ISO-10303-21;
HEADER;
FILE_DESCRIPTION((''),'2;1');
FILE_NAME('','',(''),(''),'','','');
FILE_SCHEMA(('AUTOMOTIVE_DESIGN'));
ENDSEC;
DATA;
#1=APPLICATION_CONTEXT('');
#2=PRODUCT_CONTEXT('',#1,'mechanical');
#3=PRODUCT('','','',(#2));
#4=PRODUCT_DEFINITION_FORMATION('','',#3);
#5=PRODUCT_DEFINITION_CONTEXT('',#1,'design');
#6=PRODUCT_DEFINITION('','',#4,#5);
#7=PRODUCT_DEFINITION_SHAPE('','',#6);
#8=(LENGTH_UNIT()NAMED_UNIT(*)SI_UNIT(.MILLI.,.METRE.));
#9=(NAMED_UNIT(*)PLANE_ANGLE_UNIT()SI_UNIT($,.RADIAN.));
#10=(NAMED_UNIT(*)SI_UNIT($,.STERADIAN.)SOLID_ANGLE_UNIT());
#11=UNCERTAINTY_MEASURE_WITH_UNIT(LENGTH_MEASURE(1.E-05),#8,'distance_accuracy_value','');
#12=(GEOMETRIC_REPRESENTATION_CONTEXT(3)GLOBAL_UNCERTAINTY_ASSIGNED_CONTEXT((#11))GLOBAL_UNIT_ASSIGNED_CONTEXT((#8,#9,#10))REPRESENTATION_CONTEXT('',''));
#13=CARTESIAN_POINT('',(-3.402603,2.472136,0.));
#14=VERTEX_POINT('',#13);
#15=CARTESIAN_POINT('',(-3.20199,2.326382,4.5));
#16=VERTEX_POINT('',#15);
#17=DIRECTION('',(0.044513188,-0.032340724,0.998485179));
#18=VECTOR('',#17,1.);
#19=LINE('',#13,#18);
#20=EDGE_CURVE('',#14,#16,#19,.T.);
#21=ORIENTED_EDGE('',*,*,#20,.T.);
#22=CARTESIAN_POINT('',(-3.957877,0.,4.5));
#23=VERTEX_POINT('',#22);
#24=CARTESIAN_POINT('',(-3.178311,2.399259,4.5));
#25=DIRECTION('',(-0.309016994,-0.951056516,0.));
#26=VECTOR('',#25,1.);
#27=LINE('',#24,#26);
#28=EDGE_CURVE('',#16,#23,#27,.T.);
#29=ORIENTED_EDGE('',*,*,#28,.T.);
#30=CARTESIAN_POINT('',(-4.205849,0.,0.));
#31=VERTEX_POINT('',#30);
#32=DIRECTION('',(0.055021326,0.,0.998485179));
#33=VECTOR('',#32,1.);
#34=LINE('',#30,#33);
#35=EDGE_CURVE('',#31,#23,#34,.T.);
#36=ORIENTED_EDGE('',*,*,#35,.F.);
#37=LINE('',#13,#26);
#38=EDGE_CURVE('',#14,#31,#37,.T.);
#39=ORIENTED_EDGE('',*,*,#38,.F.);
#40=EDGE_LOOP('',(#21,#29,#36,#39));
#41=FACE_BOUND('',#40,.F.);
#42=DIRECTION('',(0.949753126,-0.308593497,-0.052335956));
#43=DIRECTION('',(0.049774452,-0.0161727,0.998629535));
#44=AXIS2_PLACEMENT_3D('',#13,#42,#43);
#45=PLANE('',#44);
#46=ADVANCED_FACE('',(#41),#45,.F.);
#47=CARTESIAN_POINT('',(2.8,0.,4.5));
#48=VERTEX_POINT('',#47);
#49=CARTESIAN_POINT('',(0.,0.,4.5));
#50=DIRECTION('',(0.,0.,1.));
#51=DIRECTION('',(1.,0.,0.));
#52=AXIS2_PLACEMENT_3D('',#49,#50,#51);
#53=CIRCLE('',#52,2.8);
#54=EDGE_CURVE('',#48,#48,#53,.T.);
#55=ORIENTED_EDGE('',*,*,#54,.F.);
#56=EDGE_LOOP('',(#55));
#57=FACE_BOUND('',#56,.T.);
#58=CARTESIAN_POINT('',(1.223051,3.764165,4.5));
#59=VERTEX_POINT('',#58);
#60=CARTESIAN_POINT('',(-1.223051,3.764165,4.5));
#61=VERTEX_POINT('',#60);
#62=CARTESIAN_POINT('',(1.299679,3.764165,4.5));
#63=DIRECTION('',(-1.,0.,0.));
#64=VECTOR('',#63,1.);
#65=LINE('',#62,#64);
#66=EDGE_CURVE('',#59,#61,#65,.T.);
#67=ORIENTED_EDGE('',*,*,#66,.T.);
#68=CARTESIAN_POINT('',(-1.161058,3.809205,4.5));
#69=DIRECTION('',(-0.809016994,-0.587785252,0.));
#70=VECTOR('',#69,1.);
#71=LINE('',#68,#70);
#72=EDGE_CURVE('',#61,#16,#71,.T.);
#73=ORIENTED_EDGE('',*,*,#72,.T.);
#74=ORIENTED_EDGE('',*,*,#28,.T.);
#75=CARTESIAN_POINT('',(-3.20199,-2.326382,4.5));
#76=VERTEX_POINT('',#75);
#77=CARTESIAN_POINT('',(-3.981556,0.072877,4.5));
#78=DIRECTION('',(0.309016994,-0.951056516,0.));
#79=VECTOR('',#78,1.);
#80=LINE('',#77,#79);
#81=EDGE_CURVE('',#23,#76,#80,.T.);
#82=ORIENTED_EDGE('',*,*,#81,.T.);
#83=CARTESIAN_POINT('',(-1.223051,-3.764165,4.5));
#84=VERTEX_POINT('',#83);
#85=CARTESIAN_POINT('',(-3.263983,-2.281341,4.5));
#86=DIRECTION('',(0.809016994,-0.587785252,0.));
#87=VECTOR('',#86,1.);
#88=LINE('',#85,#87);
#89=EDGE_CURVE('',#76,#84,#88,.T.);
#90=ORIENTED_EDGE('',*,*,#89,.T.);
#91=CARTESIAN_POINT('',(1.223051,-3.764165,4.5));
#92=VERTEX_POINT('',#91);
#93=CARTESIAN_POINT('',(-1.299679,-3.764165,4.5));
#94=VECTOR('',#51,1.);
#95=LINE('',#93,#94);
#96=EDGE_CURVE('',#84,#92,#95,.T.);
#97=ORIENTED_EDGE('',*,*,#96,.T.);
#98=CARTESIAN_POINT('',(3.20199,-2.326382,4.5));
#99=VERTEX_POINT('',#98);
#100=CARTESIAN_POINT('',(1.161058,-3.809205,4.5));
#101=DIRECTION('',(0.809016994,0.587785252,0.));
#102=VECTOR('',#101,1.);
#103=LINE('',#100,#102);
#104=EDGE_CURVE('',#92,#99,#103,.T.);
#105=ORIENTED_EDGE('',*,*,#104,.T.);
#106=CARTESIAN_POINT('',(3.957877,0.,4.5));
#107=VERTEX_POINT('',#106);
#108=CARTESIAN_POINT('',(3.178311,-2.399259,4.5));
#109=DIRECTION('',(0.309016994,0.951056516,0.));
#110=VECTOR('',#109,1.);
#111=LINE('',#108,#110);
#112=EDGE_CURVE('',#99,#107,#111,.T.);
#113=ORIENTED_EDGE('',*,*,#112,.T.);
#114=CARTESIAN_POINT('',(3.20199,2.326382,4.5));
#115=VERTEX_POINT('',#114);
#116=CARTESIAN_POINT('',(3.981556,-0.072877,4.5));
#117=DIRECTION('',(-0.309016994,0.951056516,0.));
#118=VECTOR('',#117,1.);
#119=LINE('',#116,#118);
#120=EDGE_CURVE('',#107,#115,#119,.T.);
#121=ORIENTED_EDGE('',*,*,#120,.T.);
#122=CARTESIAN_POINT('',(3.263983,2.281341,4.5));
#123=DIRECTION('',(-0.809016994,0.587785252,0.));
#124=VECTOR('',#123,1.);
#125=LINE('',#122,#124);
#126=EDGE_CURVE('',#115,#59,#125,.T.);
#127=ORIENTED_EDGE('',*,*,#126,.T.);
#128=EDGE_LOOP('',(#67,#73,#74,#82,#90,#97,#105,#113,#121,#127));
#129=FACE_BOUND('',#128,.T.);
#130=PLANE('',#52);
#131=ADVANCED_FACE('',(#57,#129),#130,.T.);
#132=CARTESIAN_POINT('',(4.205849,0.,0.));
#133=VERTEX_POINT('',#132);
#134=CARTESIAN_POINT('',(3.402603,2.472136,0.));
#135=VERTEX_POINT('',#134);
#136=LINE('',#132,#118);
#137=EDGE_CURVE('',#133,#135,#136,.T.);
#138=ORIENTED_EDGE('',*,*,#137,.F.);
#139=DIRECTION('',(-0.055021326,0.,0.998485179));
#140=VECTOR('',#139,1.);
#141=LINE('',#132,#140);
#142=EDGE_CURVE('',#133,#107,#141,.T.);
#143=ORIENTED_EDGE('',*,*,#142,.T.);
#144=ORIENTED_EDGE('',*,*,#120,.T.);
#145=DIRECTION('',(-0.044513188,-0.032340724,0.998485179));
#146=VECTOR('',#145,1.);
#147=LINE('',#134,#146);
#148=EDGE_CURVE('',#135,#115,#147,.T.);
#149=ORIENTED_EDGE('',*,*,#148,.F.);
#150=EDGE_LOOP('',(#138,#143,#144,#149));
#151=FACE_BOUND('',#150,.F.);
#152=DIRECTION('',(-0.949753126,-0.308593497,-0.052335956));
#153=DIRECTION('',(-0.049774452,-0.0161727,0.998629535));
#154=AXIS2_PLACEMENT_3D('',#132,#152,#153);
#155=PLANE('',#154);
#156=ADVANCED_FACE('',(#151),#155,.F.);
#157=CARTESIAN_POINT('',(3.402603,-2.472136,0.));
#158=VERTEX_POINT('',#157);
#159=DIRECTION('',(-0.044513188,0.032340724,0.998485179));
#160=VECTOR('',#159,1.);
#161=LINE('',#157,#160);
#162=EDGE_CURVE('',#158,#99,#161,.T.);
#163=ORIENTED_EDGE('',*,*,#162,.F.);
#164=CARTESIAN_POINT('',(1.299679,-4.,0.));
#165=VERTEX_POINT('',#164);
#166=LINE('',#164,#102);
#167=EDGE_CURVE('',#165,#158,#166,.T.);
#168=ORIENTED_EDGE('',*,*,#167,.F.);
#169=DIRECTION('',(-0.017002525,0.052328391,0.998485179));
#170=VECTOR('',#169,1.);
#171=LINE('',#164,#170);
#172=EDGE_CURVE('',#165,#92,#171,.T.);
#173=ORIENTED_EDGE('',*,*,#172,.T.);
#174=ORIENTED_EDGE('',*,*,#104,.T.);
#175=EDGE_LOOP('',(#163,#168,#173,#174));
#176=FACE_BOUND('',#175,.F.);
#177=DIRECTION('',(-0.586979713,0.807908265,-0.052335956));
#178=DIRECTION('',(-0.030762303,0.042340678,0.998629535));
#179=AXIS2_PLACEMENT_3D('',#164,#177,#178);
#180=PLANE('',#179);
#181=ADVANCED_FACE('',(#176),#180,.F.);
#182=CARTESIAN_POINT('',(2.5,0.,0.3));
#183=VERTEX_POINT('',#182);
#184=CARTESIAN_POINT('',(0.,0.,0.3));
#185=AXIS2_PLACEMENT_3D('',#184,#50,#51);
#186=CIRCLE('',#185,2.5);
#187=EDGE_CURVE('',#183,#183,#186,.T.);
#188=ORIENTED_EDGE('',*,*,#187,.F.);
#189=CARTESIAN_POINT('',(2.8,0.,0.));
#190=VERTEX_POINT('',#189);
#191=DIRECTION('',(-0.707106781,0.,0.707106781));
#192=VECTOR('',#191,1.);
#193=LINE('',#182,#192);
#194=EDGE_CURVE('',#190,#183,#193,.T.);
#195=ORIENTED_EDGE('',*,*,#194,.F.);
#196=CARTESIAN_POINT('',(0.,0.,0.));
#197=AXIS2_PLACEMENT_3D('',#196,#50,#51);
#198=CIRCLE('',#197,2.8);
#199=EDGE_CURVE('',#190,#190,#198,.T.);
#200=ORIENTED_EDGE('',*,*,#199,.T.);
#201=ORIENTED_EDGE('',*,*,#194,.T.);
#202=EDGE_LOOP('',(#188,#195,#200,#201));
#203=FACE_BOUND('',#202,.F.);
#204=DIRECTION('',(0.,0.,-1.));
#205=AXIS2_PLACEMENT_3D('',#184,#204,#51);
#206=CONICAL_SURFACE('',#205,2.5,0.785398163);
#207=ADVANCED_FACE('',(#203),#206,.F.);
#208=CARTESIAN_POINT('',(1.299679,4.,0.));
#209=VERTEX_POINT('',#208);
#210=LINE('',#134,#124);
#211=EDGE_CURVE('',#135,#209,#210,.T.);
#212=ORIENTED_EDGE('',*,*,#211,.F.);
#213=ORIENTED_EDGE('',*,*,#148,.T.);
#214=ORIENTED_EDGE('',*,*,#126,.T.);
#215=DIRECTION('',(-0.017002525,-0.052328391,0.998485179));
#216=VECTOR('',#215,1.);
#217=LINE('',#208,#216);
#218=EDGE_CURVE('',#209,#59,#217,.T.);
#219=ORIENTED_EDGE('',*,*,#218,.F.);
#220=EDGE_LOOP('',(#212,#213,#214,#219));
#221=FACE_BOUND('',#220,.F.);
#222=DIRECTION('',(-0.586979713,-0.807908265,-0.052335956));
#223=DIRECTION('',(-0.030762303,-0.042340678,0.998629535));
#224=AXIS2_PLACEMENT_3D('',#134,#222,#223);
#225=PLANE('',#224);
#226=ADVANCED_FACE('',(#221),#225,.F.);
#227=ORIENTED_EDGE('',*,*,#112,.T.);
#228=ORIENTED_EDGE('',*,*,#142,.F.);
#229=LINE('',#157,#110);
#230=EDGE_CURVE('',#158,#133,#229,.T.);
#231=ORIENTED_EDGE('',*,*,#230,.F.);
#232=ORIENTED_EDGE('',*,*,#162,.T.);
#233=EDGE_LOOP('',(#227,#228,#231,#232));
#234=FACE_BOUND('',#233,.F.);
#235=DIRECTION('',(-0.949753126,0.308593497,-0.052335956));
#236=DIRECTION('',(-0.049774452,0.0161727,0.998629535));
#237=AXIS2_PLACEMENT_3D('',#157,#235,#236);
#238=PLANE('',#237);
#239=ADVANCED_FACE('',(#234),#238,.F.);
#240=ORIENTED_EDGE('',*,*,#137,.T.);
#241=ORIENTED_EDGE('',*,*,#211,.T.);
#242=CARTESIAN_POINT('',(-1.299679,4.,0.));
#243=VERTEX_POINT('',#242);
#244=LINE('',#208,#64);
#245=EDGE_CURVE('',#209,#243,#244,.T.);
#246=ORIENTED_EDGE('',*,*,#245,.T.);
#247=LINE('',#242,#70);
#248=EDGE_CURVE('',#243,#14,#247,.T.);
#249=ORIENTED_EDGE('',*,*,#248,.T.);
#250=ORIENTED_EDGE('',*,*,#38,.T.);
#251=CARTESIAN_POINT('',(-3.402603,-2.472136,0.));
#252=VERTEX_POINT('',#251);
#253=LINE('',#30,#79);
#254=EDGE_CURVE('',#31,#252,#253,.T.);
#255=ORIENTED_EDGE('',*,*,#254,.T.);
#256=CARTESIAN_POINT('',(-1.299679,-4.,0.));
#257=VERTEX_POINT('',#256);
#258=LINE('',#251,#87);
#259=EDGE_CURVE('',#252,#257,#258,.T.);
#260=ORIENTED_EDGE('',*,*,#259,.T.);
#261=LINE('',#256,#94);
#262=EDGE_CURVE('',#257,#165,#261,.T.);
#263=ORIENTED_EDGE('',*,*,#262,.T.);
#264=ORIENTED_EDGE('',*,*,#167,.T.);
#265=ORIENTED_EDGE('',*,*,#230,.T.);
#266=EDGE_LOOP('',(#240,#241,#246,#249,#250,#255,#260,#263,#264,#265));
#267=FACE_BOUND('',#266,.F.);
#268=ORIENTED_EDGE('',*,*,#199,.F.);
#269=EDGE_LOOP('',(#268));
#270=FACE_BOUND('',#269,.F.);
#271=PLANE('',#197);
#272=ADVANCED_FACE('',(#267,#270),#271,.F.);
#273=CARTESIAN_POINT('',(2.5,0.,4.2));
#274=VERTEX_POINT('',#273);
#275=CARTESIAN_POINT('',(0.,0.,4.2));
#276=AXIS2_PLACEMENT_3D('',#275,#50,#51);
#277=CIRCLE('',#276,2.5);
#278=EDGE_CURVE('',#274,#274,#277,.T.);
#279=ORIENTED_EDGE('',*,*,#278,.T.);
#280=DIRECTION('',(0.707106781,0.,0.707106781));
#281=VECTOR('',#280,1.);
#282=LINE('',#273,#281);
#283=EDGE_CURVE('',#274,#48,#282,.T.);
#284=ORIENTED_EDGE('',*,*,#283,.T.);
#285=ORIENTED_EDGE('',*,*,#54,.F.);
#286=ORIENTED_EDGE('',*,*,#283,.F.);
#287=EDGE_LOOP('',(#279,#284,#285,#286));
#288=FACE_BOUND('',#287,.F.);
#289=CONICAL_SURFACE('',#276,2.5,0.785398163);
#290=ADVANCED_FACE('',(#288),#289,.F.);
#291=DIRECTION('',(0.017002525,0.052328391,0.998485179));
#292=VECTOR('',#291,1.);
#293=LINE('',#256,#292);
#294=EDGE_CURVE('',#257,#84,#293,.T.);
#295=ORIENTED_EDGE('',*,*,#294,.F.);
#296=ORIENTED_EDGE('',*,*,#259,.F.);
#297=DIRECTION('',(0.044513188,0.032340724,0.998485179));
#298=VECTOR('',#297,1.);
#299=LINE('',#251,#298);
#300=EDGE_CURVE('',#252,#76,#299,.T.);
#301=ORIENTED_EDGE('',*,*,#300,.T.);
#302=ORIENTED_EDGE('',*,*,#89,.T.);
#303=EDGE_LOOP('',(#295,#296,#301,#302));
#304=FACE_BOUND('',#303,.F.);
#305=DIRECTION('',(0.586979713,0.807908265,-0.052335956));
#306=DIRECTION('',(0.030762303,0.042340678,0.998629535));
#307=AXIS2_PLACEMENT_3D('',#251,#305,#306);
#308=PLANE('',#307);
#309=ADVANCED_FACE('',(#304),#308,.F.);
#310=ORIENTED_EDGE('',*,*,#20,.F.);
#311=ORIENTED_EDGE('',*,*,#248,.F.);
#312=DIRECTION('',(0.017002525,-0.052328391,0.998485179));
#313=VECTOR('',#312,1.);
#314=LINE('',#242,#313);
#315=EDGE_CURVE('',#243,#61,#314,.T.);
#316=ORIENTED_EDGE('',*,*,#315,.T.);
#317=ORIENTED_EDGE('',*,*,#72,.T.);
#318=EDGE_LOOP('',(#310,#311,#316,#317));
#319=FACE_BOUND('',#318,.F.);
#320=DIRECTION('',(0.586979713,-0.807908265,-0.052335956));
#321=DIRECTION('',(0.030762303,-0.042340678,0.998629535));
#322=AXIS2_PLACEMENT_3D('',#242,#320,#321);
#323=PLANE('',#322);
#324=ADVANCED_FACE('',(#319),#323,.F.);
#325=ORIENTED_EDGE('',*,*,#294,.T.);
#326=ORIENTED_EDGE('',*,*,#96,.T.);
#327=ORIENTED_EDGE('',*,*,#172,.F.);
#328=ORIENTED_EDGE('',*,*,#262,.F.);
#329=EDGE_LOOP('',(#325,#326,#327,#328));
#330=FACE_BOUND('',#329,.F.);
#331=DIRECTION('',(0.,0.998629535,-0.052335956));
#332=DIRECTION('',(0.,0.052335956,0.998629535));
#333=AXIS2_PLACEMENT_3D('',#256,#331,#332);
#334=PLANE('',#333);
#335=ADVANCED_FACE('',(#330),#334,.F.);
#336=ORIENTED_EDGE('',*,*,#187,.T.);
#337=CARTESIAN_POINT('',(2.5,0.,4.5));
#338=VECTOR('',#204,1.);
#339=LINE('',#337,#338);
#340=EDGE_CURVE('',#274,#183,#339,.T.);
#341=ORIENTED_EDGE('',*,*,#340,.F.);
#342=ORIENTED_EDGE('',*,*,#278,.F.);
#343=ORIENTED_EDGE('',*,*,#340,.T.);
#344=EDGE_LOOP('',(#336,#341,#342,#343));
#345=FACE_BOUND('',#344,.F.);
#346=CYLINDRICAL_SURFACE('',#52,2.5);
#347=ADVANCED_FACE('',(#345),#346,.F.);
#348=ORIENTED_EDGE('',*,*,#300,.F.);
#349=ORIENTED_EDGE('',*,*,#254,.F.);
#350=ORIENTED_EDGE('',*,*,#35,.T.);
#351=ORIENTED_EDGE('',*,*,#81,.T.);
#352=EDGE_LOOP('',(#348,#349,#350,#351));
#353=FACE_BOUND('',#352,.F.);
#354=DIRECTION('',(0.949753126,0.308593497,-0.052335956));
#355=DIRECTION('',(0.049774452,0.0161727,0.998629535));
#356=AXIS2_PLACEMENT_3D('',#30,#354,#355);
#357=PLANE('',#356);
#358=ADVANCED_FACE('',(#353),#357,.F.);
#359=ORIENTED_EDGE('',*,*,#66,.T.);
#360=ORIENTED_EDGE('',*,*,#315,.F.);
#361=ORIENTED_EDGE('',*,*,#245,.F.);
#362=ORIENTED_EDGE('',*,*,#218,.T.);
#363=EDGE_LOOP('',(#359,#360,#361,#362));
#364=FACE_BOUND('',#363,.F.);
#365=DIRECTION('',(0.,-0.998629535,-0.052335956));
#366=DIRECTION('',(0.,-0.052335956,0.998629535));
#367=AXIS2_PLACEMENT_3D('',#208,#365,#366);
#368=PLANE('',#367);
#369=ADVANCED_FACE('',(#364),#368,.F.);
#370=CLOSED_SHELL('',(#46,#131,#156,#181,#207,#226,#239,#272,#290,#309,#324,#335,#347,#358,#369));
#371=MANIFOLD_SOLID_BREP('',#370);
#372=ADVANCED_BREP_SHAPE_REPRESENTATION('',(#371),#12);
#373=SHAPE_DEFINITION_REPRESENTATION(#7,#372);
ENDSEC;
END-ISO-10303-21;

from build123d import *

# Parameters (mm, degrees)
F1_DEPTH = 4.5
F1_TAPER = 3
F2_R     = 2.5
F3_DEPTH = 25
F4_SIZE  = 0.3


with BuildPart() as f1:
    # F0 (on Top) → F1 (new body)
    with BuildSketch(Plane.XY):
        Polygon((-1.2996787849, -4), (1.2996787849, -4), (3.4026032334, -2.472135955), (4.205848897, 0), (3.4026032334, 2.472135955), (1.2996787849, 4), (-1.2996787849, 4), (-3.4026032334, 2.472135955), (-4.205848897, 0), (-3.4026032334, -2.472135955), align=None)
    extrude(amount=F1_DEPTH, taper=F1_TAPER)

    # F2 (on face) → F3 (cut)
    with BuildSketch(Plane.XY.offset(4.5)):
        Circle(F2_R)
    extrude(amount=-F3_DEPTH, mode=Mode.SUBTRACT)

    # F4
    f4_edges = [f1.edges().sort_by_distance(p)[0] for p in [
        (-2.5, 0, 4.5),
        (-2.5, 0, 0),
    ]]
    chamfer(f4_edges, length=F4_SIZE)


solid = f1.part
